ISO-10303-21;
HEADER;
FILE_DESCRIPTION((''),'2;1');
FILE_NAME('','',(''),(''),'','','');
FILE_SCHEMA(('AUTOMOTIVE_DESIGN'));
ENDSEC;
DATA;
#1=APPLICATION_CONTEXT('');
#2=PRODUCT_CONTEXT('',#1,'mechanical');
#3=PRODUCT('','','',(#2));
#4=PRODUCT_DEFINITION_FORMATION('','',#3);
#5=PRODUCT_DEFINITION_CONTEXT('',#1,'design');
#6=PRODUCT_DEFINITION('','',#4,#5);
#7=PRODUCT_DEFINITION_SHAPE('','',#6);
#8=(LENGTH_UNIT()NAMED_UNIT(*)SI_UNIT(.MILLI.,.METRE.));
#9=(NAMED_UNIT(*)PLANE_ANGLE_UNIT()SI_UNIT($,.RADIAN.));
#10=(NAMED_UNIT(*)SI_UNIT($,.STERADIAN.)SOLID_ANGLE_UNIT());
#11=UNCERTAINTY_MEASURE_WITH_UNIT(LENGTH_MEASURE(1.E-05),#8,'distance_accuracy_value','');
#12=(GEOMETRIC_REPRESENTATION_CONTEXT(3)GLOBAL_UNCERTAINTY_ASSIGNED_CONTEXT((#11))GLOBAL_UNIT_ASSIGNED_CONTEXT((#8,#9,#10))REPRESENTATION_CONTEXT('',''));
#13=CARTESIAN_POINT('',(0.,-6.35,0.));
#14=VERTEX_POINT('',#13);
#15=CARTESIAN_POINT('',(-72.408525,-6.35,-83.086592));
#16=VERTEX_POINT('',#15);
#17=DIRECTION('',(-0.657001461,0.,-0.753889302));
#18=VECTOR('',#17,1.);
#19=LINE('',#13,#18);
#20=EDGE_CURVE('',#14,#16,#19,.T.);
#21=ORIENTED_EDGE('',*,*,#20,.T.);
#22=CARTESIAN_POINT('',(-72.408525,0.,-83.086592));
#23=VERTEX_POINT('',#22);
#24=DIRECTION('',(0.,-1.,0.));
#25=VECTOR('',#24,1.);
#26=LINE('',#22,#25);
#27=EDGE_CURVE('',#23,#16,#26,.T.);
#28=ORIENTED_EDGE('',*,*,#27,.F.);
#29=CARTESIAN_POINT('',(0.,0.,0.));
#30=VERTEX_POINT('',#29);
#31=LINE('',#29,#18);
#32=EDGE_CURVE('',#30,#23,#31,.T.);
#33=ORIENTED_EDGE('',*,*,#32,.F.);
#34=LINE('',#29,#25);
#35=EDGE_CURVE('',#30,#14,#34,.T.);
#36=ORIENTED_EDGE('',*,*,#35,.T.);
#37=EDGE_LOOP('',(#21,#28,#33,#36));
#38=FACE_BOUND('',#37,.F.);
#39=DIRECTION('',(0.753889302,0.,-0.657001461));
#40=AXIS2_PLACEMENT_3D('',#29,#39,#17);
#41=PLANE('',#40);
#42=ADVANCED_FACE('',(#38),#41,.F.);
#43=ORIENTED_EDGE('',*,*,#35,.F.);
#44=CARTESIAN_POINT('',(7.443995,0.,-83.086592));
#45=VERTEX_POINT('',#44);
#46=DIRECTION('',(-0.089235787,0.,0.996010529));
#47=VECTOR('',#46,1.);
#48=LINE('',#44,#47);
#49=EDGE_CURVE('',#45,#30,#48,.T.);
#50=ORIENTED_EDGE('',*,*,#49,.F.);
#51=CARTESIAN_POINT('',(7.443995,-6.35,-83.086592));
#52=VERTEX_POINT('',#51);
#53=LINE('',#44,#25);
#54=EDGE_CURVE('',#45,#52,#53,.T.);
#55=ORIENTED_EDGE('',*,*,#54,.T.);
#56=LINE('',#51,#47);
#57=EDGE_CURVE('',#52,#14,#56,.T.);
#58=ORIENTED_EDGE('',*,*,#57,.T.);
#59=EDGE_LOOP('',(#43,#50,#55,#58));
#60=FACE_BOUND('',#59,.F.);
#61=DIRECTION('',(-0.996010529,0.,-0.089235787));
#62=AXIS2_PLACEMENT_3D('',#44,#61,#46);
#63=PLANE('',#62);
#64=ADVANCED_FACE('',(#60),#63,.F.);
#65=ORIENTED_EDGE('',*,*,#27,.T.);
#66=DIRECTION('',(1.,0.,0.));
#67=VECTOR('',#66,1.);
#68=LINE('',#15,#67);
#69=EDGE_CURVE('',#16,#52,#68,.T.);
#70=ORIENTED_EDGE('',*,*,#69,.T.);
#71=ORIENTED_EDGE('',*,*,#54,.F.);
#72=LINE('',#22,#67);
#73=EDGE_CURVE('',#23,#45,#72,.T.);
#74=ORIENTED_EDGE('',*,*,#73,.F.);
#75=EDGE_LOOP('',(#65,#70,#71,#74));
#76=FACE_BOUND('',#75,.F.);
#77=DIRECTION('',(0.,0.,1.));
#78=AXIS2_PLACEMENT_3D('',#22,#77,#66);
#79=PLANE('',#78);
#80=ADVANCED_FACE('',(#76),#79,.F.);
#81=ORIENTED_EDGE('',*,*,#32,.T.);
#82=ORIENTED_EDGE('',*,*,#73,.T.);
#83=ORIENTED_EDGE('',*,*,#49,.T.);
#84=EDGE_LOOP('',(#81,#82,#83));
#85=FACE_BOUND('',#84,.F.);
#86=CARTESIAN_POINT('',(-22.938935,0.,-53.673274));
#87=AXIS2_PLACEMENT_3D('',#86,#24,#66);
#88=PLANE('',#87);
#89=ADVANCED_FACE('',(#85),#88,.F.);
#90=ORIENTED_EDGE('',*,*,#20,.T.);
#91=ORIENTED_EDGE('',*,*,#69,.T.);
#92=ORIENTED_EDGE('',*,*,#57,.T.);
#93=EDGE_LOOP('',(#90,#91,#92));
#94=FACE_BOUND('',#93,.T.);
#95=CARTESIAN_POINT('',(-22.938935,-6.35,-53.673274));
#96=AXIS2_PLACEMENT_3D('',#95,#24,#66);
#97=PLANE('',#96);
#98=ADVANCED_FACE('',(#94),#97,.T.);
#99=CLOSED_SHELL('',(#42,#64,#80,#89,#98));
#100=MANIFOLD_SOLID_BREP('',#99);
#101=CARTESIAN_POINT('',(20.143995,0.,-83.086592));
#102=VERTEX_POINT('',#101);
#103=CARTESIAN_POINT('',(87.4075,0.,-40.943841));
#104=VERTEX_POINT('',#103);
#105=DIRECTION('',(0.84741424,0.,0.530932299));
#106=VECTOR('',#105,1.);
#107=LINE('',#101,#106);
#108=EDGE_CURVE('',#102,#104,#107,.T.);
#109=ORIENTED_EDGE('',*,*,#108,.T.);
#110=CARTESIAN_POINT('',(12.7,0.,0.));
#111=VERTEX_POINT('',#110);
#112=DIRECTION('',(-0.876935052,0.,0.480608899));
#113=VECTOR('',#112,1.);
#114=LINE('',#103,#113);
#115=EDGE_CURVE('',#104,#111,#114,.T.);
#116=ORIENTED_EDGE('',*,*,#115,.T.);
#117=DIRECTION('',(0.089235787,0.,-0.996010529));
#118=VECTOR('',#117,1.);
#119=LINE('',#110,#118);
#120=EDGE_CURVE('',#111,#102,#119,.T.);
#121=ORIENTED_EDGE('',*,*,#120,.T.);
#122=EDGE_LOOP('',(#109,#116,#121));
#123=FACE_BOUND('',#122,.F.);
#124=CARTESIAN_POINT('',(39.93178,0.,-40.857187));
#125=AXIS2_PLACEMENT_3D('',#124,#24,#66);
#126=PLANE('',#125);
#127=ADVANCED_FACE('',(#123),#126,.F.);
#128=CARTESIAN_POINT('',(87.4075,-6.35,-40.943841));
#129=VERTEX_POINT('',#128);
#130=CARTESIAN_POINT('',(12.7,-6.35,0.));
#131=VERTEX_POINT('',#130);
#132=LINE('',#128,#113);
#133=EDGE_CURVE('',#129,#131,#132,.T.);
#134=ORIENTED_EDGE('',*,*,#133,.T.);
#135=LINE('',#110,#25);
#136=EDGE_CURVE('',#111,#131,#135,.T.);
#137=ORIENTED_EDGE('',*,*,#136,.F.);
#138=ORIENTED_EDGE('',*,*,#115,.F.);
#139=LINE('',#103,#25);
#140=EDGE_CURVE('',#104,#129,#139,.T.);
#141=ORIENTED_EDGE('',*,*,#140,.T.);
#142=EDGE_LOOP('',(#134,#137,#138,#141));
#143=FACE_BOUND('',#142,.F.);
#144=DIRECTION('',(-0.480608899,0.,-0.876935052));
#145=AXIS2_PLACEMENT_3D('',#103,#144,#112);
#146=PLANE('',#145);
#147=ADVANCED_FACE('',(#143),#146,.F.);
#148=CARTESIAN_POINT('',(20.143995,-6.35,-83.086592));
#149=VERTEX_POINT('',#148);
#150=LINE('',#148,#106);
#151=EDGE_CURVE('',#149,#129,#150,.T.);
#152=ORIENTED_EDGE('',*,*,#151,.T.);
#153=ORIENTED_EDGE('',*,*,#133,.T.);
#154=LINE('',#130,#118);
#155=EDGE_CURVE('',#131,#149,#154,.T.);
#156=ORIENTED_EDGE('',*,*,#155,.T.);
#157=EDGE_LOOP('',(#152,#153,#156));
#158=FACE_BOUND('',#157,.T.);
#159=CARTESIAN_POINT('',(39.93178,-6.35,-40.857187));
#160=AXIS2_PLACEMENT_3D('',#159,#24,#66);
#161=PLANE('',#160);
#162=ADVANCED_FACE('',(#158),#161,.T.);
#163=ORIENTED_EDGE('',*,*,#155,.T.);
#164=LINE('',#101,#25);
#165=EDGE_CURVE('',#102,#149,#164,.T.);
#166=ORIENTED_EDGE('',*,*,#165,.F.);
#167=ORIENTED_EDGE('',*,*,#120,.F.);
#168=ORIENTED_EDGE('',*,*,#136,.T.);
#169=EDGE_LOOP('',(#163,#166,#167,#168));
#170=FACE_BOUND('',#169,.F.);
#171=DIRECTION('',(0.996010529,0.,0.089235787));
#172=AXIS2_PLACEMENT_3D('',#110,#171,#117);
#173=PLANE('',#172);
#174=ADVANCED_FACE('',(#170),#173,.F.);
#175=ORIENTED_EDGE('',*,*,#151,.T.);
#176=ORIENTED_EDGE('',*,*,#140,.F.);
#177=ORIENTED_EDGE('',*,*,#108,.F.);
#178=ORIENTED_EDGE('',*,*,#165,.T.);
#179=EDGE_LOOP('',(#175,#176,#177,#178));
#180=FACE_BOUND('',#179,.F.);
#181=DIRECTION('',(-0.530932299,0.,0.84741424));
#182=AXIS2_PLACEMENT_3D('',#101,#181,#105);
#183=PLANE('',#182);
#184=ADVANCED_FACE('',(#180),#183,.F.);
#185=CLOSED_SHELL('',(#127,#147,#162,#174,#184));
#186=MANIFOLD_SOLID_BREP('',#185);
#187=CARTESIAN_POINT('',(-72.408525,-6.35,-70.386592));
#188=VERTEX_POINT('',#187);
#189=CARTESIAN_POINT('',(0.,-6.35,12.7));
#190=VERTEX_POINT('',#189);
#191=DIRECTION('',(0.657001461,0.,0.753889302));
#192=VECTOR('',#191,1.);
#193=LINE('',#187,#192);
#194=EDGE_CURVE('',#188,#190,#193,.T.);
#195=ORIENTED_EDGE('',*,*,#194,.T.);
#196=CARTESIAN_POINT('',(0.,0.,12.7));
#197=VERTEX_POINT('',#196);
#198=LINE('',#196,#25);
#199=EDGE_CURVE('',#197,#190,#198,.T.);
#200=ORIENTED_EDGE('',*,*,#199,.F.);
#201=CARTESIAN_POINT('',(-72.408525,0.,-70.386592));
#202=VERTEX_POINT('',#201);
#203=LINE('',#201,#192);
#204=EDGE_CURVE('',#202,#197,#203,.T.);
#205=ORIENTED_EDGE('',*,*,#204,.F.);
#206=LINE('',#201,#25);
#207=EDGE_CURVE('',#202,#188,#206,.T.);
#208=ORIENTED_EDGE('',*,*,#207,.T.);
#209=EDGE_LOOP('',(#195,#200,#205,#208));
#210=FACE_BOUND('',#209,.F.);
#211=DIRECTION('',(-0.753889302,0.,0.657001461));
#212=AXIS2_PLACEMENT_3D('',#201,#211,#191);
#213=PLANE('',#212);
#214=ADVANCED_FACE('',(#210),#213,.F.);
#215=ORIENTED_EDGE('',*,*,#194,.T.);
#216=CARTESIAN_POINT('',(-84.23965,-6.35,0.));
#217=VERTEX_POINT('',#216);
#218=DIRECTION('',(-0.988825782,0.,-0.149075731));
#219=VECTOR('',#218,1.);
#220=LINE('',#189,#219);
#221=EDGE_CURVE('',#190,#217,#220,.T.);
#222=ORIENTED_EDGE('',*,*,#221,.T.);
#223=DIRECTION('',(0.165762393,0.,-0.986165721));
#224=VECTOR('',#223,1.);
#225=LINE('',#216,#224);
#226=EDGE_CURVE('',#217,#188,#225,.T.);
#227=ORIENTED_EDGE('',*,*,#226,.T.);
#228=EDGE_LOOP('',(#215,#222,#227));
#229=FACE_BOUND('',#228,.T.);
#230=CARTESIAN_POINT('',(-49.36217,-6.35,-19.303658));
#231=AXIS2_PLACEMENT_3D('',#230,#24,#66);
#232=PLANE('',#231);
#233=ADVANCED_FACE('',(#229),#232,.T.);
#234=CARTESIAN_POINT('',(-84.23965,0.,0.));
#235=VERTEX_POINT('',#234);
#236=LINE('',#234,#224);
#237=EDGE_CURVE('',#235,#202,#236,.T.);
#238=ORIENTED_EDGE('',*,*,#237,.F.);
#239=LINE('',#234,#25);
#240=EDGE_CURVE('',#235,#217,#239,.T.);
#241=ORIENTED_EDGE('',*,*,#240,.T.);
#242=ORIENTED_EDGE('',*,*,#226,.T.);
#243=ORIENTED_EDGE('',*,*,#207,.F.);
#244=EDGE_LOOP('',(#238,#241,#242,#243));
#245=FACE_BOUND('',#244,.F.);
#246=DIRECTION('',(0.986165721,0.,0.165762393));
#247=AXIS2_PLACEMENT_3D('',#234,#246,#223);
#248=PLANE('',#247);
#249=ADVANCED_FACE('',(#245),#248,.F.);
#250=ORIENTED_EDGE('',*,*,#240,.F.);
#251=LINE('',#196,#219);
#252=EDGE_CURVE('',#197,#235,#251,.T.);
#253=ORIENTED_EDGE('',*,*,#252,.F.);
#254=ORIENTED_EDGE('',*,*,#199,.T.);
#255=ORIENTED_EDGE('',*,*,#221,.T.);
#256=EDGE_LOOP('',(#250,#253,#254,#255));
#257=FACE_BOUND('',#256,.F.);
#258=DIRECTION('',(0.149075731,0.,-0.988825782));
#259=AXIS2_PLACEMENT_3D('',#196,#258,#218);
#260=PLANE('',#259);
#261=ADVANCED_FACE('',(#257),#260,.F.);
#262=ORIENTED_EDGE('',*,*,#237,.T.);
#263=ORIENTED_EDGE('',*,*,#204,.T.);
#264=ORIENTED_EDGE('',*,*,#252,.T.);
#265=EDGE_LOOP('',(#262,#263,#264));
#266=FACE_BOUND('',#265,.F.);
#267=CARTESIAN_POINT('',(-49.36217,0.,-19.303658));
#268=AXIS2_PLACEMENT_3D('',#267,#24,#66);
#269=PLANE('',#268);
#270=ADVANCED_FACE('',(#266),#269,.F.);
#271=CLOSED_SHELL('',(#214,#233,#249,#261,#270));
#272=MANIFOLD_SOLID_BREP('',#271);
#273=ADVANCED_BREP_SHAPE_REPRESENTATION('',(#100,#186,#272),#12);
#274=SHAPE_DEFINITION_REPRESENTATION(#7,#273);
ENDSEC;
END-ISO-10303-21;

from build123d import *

# Parameters (mm, degrees)
F2_DEPTH = 6.35


with BuildPart() as f2:
    # F1 (on Front) → F2 (new body)
    with BuildSketch(Plane.XZ):
        Polygon((-72.408525, -70.386592), (0, 12.7), (-84.23965, 0), align=None)
        Polygon((-72.408525, -83.086592), (7.443995, -83.086592), (0, 0), align=None)
        Polygon((20.143995, -83.086592), (87.4075, -40.943841), (12.7, 0), align=None)
    extrude(amount=F2_DEPTH)


solid = f2.part
